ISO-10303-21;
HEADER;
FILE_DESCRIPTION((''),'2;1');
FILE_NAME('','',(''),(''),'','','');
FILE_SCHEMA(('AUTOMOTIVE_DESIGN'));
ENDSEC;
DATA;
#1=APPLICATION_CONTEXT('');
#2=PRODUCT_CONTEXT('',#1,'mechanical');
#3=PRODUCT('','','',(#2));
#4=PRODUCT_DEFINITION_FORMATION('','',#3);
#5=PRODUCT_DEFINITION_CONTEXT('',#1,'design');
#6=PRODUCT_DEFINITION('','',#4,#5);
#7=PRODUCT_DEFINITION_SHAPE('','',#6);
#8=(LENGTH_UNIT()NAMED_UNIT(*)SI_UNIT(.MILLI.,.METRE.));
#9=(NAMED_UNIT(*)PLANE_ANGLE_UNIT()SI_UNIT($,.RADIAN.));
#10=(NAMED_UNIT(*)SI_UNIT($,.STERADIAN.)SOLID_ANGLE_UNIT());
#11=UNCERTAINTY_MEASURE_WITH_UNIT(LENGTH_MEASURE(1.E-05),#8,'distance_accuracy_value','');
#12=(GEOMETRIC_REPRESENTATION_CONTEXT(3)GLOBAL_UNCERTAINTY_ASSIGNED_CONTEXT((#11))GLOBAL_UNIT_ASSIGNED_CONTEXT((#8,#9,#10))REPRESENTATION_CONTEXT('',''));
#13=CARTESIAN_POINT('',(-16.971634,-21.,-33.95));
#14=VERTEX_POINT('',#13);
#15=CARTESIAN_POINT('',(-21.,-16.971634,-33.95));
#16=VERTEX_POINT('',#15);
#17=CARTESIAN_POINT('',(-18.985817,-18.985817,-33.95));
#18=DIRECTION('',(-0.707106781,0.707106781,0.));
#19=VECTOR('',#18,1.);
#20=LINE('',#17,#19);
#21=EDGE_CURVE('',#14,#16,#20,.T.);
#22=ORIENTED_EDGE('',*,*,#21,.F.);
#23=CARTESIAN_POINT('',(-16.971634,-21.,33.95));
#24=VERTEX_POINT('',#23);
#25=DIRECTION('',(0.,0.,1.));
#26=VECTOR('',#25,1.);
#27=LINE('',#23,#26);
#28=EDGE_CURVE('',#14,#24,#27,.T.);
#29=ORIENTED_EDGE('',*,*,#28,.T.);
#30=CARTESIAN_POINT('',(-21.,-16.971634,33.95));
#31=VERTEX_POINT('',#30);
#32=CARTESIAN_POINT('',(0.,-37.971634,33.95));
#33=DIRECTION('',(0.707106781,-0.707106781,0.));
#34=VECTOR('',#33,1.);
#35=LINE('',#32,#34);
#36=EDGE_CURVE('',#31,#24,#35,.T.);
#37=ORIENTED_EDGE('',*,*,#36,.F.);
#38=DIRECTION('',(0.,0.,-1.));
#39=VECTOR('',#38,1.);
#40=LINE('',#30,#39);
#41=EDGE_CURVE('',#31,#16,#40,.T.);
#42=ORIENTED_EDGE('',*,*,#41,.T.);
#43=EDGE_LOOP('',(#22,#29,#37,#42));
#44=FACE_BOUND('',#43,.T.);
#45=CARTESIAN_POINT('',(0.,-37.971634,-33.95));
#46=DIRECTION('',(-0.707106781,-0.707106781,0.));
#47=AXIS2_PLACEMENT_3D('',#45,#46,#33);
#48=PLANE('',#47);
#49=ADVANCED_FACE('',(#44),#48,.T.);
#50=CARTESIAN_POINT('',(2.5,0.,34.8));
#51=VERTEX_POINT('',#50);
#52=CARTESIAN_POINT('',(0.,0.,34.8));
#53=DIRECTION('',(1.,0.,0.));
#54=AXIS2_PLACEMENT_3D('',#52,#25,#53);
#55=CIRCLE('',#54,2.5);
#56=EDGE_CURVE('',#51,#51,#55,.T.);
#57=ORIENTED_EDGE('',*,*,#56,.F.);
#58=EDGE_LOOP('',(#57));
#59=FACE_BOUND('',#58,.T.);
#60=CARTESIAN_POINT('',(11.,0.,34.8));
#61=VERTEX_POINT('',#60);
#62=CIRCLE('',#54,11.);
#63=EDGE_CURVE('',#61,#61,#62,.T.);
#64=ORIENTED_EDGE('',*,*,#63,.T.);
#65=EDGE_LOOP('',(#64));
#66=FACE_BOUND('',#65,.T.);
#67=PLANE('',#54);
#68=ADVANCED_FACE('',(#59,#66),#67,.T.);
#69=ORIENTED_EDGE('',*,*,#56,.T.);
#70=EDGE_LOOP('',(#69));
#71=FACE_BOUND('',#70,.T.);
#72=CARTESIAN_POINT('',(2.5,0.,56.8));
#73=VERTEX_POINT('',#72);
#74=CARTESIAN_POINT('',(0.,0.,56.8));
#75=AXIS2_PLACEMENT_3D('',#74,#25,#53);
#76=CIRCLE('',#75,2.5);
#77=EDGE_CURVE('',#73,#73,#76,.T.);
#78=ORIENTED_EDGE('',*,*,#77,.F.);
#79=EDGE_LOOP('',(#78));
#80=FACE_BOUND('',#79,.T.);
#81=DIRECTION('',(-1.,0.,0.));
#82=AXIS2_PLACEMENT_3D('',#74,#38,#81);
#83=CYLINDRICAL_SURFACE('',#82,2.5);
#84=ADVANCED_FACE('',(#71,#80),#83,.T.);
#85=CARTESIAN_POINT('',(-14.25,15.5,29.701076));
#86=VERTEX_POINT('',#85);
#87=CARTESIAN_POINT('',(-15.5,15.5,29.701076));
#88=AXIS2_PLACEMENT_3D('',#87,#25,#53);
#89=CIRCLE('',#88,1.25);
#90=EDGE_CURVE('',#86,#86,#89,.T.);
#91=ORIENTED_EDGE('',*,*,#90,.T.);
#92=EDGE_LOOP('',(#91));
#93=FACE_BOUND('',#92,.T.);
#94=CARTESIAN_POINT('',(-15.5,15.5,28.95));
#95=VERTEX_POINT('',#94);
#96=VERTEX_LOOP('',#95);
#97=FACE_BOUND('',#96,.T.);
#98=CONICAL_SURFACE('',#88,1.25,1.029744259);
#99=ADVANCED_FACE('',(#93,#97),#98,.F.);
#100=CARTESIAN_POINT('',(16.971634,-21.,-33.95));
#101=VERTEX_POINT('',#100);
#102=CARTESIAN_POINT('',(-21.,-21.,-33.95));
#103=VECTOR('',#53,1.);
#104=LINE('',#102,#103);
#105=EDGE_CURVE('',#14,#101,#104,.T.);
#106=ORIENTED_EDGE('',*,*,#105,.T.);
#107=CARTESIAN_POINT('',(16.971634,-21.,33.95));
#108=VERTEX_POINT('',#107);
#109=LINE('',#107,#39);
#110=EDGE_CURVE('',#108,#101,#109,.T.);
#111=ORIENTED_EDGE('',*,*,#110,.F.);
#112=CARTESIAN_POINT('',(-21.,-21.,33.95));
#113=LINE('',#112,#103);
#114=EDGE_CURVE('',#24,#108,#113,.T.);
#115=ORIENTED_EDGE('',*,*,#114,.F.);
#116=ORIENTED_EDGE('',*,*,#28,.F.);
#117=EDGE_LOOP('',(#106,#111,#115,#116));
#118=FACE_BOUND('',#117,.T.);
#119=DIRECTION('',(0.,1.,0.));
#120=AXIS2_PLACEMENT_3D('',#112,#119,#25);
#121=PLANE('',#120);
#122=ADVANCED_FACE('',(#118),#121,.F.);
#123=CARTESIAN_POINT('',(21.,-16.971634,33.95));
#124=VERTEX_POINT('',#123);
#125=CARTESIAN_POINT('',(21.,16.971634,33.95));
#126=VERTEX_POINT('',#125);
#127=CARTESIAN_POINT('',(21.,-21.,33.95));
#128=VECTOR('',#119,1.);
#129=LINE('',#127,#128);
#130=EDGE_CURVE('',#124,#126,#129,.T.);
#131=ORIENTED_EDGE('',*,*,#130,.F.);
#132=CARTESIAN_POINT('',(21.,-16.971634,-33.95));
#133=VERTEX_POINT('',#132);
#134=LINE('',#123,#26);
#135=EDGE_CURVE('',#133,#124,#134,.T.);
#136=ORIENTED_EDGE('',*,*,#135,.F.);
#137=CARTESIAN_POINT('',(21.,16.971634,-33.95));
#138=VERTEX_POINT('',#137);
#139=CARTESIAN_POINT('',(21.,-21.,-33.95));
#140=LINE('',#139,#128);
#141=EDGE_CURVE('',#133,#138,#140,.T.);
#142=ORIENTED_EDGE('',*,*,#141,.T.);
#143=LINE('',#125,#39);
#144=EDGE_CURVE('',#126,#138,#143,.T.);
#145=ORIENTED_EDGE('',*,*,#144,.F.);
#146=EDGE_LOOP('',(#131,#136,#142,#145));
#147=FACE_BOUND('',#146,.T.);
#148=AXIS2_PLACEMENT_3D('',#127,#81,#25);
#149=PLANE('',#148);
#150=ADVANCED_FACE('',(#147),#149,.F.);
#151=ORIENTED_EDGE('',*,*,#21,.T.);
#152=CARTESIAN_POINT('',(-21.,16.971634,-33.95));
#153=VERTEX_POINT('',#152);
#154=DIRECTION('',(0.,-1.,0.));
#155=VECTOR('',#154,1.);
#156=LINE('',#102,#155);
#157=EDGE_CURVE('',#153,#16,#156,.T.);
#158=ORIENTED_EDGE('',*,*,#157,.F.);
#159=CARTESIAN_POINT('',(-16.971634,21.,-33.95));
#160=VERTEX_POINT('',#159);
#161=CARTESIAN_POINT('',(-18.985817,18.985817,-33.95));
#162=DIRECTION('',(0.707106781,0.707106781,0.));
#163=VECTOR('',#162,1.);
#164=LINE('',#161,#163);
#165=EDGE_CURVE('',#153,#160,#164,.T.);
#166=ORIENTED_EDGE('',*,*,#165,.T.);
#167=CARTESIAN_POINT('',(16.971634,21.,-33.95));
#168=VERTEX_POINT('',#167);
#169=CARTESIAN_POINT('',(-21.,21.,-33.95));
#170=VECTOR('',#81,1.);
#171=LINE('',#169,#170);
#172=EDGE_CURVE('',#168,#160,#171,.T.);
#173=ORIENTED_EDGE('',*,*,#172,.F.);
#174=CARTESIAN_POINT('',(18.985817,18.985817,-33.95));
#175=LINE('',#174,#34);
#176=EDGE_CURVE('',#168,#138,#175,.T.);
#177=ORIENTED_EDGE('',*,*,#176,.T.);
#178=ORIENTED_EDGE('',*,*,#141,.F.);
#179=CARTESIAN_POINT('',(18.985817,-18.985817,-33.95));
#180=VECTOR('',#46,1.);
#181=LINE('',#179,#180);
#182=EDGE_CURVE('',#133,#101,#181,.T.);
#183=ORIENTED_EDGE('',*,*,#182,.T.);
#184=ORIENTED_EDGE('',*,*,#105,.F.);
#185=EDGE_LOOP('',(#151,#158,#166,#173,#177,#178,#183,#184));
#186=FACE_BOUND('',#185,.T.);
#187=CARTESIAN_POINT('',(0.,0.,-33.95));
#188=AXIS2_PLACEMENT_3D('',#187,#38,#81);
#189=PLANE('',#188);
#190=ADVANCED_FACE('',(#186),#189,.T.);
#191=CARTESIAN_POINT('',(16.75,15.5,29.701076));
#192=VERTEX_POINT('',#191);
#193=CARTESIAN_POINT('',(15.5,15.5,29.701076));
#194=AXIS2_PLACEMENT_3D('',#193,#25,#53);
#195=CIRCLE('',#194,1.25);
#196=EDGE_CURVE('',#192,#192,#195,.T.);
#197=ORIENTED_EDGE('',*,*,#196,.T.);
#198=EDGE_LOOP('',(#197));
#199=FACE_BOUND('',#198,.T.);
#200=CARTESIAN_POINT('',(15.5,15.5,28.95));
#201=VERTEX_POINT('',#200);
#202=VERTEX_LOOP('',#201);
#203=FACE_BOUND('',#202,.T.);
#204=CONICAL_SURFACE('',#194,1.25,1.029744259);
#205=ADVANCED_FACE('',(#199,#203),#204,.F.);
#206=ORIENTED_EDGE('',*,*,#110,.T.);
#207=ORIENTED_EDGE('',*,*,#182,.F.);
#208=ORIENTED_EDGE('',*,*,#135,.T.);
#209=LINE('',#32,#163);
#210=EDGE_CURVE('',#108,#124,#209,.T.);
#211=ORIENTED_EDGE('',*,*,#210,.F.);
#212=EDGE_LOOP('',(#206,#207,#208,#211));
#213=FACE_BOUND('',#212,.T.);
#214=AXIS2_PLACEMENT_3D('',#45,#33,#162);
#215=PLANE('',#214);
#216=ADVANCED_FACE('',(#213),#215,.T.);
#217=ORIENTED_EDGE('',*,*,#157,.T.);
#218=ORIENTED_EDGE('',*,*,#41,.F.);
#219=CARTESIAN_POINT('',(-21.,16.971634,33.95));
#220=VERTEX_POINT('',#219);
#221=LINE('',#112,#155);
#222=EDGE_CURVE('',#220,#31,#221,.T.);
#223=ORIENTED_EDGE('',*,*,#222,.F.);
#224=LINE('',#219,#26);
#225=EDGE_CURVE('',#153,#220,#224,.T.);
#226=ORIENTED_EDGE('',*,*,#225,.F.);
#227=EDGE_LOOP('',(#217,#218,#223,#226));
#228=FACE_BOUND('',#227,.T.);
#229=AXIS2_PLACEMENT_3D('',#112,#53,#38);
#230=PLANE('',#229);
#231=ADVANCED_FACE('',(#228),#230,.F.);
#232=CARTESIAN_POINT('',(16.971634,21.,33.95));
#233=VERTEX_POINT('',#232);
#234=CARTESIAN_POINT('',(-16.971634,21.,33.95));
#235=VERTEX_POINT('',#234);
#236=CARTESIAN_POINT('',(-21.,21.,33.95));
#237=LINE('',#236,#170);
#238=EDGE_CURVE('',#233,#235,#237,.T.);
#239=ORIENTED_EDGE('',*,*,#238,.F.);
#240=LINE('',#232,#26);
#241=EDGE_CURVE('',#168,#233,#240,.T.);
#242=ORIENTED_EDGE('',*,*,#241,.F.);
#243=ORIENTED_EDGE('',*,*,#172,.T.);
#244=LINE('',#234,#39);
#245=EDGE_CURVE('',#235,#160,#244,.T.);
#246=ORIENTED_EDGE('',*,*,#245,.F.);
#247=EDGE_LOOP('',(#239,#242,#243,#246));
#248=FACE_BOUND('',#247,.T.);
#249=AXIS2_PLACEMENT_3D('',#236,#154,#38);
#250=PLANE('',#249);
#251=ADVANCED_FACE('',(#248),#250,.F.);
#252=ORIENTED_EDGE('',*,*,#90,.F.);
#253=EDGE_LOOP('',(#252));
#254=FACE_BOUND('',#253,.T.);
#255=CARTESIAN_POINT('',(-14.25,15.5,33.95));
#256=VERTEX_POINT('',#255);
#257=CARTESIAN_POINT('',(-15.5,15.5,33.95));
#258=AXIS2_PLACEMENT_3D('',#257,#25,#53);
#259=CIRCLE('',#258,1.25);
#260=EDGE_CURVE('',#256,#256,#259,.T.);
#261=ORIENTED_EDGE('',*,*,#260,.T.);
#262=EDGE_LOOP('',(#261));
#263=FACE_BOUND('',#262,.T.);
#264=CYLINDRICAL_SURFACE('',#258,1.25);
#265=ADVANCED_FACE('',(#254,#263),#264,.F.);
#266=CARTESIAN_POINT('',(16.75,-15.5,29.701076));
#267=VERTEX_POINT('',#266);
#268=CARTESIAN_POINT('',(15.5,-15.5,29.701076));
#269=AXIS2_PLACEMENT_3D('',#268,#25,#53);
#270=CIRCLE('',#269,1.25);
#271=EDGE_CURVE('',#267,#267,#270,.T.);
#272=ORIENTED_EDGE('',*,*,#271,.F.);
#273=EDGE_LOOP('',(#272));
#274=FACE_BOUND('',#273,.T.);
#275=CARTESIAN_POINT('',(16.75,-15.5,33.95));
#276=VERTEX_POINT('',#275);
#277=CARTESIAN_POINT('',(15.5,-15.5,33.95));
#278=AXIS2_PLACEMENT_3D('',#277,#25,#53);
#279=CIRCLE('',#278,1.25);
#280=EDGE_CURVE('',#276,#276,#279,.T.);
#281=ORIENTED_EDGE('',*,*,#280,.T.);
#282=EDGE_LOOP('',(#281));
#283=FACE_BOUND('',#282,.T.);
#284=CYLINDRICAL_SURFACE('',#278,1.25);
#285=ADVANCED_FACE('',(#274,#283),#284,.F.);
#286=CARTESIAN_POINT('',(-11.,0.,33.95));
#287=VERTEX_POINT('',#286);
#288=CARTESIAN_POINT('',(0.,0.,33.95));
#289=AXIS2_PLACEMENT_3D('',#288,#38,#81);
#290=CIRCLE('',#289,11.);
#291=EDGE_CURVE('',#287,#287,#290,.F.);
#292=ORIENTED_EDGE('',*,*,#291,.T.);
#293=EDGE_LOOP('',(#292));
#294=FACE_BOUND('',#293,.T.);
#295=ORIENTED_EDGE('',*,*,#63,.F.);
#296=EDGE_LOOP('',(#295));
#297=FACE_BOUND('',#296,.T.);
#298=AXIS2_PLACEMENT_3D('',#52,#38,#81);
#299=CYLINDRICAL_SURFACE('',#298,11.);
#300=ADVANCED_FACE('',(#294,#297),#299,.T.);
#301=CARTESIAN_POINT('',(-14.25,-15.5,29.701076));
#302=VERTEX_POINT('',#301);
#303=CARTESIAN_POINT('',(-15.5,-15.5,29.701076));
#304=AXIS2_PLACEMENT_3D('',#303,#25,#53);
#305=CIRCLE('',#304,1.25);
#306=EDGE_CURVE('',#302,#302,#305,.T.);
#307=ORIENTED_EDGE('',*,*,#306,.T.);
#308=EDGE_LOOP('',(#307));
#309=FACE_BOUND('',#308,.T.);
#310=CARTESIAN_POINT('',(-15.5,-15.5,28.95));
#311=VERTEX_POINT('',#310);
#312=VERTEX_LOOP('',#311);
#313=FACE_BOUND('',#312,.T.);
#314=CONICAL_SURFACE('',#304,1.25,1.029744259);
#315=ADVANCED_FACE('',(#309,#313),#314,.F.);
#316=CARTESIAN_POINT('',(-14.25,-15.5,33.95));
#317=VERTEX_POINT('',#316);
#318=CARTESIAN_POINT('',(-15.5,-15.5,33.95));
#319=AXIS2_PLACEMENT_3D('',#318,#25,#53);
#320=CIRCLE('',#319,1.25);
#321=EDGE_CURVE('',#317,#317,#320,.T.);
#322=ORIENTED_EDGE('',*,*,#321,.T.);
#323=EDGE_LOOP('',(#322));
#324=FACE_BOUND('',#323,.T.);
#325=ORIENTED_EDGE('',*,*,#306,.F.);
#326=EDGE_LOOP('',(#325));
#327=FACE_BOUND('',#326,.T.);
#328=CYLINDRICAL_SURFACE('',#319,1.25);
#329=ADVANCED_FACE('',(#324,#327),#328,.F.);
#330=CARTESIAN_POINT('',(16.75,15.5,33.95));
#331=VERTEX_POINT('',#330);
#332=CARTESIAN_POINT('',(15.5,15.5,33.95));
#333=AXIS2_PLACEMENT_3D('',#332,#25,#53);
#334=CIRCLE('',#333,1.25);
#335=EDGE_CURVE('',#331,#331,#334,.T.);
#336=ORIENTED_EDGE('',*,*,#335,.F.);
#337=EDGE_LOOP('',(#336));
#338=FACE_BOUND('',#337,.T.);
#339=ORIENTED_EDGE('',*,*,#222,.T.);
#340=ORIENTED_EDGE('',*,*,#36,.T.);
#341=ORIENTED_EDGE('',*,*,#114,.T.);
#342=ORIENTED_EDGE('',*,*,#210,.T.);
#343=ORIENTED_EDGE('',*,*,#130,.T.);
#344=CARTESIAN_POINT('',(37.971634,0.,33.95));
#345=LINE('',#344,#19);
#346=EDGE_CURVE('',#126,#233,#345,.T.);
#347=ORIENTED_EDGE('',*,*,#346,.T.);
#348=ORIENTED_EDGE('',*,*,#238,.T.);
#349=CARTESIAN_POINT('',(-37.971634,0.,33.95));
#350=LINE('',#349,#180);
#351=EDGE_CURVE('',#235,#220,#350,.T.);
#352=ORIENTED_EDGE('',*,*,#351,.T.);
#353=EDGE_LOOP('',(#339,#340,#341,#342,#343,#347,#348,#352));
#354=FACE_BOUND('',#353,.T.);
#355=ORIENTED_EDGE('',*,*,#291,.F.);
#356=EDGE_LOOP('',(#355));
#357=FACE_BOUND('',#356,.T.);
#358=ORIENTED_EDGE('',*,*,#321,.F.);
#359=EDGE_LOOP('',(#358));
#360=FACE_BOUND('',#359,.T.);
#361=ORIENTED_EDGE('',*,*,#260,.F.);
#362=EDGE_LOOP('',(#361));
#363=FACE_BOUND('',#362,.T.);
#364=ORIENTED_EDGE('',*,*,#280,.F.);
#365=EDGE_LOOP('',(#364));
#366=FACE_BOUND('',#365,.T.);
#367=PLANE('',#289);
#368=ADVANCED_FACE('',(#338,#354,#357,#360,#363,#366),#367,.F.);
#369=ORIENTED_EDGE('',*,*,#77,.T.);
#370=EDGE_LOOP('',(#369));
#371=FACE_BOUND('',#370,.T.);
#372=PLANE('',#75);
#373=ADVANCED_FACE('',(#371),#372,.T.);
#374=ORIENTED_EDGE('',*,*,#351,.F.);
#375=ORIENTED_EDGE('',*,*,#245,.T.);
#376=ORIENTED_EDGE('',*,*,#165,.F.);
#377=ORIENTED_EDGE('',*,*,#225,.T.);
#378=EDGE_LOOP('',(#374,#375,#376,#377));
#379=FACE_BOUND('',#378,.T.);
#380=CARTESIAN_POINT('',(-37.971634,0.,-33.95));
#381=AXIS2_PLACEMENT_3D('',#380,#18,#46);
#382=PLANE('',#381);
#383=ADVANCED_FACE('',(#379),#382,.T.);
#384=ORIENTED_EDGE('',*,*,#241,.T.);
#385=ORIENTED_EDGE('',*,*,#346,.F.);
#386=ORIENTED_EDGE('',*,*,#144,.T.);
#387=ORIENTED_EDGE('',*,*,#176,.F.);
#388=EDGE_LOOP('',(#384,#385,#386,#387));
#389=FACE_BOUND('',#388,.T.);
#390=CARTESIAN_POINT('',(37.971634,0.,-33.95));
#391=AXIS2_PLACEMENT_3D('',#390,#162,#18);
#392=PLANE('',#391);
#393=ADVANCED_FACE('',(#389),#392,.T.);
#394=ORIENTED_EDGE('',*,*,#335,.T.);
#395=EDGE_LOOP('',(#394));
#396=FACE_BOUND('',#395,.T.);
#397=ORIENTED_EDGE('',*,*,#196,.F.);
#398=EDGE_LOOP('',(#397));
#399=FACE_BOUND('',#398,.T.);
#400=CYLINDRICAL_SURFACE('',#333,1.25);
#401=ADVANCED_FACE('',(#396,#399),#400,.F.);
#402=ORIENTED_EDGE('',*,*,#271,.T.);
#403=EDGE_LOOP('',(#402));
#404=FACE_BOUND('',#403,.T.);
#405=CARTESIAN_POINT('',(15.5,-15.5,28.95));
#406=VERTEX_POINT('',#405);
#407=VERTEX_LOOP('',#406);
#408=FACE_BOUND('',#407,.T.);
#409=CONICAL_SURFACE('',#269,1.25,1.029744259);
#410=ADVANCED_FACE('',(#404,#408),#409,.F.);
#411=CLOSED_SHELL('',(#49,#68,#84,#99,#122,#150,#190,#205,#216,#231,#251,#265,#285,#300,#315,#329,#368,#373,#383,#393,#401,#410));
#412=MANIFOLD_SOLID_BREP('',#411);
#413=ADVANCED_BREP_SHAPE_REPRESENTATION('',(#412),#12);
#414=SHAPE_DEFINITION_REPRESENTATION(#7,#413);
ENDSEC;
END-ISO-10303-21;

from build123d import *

# Parameters (mm, degrees)
SKETCH1_W               = 42
SKETCH1_H               = 42
BOSS_EXTRUDE1_DEPTH     = 33.95
SKETCH2_R               = 11
BOSS_EXTRUDE2_DEPTH     = 0.85
SKETCH3_R               = 2.5
BOSS_EXTRUDE3_DEPTH     = 22
CUT_EXTRUDE_THIN1_DEPTH = 75.110795435
M3_TAPPED_HOLE1_D       = 2.5
M3_TAPPED_HOLE1_DEPTH   = 4.248924226
M3_TAPPED_HOLE1_TIP     = 0.751075774


with BuildPart() as part:
    # Sketch1 → Boss-Extrude1 (new, symmetric)
    with BuildSketch(Plane.XY):
        Rectangle(SKETCH1_W, SKETCH1_H)
    extrude(amount=BOSS_EXTRUDE1_DEPTH, both=True)

    # Sketch2 → Boss-Extrude2 (add, symmetric)
    with BuildSketch(Plane.XY.offset(33.95)):
        with Locations(Location((0, 0, 0), (0, 0, 180))):
            Circle(SKETCH2_R)
    extrude(amount=BOSS_EXTRUDE2_DEPTH, both=True)

    # Sketch3 → Boss-Extrude3 (add)
    with BuildSketch(Plane.XY.offset(34.8)):
        Circle(SKETCH3_R)
    extrude(amount=BOSS_EXTRUDE3_DEPTH)

    # Sketch4 → Cut-Extrude-Thin1 (cut, through all)
    with BuildSketch(Plane.XY.offset(33.95)):
        Polygon((0, 52.113769773), (52.113769773, 0), (0, -52.113769773), (-52.113769773, 0), align=None)
        Polygon((0, 37.97163415), (37.97163415, 0), (0, -37.97163415), (-37.97163415, 0), align=None, mode=Mode.SUBTRACT)
    extrude(amount=-CUT_EXTRUDE_THIN1_DEPTH, mode=Mode.SUBTRACT)

    # M3 Tapped Hole1
    with Locations(Plane.XY.offset(33.95)):
        with Locations((-15.5, 15.5), (15.5, -15.5), (15.5, 15.5), (-15.5, -15.5)):
            Hole(M3_TAPPED_HOLE1_D / 2, depth=M3_TAPPED_HOLE1_DEPTH)
            with Locations((0, 0, -(M3_TAPPED_HOLE1_DEPTH + M3_TAPPED_HOLE1_TIP / 2))):  # 118° drill point
                Cone(0, M3_TAPPED_HOLE1_D / 2, M3_TAPPED_HOLE1_TIP, mode=Mode.SUBTRACT)


solid = part.part
